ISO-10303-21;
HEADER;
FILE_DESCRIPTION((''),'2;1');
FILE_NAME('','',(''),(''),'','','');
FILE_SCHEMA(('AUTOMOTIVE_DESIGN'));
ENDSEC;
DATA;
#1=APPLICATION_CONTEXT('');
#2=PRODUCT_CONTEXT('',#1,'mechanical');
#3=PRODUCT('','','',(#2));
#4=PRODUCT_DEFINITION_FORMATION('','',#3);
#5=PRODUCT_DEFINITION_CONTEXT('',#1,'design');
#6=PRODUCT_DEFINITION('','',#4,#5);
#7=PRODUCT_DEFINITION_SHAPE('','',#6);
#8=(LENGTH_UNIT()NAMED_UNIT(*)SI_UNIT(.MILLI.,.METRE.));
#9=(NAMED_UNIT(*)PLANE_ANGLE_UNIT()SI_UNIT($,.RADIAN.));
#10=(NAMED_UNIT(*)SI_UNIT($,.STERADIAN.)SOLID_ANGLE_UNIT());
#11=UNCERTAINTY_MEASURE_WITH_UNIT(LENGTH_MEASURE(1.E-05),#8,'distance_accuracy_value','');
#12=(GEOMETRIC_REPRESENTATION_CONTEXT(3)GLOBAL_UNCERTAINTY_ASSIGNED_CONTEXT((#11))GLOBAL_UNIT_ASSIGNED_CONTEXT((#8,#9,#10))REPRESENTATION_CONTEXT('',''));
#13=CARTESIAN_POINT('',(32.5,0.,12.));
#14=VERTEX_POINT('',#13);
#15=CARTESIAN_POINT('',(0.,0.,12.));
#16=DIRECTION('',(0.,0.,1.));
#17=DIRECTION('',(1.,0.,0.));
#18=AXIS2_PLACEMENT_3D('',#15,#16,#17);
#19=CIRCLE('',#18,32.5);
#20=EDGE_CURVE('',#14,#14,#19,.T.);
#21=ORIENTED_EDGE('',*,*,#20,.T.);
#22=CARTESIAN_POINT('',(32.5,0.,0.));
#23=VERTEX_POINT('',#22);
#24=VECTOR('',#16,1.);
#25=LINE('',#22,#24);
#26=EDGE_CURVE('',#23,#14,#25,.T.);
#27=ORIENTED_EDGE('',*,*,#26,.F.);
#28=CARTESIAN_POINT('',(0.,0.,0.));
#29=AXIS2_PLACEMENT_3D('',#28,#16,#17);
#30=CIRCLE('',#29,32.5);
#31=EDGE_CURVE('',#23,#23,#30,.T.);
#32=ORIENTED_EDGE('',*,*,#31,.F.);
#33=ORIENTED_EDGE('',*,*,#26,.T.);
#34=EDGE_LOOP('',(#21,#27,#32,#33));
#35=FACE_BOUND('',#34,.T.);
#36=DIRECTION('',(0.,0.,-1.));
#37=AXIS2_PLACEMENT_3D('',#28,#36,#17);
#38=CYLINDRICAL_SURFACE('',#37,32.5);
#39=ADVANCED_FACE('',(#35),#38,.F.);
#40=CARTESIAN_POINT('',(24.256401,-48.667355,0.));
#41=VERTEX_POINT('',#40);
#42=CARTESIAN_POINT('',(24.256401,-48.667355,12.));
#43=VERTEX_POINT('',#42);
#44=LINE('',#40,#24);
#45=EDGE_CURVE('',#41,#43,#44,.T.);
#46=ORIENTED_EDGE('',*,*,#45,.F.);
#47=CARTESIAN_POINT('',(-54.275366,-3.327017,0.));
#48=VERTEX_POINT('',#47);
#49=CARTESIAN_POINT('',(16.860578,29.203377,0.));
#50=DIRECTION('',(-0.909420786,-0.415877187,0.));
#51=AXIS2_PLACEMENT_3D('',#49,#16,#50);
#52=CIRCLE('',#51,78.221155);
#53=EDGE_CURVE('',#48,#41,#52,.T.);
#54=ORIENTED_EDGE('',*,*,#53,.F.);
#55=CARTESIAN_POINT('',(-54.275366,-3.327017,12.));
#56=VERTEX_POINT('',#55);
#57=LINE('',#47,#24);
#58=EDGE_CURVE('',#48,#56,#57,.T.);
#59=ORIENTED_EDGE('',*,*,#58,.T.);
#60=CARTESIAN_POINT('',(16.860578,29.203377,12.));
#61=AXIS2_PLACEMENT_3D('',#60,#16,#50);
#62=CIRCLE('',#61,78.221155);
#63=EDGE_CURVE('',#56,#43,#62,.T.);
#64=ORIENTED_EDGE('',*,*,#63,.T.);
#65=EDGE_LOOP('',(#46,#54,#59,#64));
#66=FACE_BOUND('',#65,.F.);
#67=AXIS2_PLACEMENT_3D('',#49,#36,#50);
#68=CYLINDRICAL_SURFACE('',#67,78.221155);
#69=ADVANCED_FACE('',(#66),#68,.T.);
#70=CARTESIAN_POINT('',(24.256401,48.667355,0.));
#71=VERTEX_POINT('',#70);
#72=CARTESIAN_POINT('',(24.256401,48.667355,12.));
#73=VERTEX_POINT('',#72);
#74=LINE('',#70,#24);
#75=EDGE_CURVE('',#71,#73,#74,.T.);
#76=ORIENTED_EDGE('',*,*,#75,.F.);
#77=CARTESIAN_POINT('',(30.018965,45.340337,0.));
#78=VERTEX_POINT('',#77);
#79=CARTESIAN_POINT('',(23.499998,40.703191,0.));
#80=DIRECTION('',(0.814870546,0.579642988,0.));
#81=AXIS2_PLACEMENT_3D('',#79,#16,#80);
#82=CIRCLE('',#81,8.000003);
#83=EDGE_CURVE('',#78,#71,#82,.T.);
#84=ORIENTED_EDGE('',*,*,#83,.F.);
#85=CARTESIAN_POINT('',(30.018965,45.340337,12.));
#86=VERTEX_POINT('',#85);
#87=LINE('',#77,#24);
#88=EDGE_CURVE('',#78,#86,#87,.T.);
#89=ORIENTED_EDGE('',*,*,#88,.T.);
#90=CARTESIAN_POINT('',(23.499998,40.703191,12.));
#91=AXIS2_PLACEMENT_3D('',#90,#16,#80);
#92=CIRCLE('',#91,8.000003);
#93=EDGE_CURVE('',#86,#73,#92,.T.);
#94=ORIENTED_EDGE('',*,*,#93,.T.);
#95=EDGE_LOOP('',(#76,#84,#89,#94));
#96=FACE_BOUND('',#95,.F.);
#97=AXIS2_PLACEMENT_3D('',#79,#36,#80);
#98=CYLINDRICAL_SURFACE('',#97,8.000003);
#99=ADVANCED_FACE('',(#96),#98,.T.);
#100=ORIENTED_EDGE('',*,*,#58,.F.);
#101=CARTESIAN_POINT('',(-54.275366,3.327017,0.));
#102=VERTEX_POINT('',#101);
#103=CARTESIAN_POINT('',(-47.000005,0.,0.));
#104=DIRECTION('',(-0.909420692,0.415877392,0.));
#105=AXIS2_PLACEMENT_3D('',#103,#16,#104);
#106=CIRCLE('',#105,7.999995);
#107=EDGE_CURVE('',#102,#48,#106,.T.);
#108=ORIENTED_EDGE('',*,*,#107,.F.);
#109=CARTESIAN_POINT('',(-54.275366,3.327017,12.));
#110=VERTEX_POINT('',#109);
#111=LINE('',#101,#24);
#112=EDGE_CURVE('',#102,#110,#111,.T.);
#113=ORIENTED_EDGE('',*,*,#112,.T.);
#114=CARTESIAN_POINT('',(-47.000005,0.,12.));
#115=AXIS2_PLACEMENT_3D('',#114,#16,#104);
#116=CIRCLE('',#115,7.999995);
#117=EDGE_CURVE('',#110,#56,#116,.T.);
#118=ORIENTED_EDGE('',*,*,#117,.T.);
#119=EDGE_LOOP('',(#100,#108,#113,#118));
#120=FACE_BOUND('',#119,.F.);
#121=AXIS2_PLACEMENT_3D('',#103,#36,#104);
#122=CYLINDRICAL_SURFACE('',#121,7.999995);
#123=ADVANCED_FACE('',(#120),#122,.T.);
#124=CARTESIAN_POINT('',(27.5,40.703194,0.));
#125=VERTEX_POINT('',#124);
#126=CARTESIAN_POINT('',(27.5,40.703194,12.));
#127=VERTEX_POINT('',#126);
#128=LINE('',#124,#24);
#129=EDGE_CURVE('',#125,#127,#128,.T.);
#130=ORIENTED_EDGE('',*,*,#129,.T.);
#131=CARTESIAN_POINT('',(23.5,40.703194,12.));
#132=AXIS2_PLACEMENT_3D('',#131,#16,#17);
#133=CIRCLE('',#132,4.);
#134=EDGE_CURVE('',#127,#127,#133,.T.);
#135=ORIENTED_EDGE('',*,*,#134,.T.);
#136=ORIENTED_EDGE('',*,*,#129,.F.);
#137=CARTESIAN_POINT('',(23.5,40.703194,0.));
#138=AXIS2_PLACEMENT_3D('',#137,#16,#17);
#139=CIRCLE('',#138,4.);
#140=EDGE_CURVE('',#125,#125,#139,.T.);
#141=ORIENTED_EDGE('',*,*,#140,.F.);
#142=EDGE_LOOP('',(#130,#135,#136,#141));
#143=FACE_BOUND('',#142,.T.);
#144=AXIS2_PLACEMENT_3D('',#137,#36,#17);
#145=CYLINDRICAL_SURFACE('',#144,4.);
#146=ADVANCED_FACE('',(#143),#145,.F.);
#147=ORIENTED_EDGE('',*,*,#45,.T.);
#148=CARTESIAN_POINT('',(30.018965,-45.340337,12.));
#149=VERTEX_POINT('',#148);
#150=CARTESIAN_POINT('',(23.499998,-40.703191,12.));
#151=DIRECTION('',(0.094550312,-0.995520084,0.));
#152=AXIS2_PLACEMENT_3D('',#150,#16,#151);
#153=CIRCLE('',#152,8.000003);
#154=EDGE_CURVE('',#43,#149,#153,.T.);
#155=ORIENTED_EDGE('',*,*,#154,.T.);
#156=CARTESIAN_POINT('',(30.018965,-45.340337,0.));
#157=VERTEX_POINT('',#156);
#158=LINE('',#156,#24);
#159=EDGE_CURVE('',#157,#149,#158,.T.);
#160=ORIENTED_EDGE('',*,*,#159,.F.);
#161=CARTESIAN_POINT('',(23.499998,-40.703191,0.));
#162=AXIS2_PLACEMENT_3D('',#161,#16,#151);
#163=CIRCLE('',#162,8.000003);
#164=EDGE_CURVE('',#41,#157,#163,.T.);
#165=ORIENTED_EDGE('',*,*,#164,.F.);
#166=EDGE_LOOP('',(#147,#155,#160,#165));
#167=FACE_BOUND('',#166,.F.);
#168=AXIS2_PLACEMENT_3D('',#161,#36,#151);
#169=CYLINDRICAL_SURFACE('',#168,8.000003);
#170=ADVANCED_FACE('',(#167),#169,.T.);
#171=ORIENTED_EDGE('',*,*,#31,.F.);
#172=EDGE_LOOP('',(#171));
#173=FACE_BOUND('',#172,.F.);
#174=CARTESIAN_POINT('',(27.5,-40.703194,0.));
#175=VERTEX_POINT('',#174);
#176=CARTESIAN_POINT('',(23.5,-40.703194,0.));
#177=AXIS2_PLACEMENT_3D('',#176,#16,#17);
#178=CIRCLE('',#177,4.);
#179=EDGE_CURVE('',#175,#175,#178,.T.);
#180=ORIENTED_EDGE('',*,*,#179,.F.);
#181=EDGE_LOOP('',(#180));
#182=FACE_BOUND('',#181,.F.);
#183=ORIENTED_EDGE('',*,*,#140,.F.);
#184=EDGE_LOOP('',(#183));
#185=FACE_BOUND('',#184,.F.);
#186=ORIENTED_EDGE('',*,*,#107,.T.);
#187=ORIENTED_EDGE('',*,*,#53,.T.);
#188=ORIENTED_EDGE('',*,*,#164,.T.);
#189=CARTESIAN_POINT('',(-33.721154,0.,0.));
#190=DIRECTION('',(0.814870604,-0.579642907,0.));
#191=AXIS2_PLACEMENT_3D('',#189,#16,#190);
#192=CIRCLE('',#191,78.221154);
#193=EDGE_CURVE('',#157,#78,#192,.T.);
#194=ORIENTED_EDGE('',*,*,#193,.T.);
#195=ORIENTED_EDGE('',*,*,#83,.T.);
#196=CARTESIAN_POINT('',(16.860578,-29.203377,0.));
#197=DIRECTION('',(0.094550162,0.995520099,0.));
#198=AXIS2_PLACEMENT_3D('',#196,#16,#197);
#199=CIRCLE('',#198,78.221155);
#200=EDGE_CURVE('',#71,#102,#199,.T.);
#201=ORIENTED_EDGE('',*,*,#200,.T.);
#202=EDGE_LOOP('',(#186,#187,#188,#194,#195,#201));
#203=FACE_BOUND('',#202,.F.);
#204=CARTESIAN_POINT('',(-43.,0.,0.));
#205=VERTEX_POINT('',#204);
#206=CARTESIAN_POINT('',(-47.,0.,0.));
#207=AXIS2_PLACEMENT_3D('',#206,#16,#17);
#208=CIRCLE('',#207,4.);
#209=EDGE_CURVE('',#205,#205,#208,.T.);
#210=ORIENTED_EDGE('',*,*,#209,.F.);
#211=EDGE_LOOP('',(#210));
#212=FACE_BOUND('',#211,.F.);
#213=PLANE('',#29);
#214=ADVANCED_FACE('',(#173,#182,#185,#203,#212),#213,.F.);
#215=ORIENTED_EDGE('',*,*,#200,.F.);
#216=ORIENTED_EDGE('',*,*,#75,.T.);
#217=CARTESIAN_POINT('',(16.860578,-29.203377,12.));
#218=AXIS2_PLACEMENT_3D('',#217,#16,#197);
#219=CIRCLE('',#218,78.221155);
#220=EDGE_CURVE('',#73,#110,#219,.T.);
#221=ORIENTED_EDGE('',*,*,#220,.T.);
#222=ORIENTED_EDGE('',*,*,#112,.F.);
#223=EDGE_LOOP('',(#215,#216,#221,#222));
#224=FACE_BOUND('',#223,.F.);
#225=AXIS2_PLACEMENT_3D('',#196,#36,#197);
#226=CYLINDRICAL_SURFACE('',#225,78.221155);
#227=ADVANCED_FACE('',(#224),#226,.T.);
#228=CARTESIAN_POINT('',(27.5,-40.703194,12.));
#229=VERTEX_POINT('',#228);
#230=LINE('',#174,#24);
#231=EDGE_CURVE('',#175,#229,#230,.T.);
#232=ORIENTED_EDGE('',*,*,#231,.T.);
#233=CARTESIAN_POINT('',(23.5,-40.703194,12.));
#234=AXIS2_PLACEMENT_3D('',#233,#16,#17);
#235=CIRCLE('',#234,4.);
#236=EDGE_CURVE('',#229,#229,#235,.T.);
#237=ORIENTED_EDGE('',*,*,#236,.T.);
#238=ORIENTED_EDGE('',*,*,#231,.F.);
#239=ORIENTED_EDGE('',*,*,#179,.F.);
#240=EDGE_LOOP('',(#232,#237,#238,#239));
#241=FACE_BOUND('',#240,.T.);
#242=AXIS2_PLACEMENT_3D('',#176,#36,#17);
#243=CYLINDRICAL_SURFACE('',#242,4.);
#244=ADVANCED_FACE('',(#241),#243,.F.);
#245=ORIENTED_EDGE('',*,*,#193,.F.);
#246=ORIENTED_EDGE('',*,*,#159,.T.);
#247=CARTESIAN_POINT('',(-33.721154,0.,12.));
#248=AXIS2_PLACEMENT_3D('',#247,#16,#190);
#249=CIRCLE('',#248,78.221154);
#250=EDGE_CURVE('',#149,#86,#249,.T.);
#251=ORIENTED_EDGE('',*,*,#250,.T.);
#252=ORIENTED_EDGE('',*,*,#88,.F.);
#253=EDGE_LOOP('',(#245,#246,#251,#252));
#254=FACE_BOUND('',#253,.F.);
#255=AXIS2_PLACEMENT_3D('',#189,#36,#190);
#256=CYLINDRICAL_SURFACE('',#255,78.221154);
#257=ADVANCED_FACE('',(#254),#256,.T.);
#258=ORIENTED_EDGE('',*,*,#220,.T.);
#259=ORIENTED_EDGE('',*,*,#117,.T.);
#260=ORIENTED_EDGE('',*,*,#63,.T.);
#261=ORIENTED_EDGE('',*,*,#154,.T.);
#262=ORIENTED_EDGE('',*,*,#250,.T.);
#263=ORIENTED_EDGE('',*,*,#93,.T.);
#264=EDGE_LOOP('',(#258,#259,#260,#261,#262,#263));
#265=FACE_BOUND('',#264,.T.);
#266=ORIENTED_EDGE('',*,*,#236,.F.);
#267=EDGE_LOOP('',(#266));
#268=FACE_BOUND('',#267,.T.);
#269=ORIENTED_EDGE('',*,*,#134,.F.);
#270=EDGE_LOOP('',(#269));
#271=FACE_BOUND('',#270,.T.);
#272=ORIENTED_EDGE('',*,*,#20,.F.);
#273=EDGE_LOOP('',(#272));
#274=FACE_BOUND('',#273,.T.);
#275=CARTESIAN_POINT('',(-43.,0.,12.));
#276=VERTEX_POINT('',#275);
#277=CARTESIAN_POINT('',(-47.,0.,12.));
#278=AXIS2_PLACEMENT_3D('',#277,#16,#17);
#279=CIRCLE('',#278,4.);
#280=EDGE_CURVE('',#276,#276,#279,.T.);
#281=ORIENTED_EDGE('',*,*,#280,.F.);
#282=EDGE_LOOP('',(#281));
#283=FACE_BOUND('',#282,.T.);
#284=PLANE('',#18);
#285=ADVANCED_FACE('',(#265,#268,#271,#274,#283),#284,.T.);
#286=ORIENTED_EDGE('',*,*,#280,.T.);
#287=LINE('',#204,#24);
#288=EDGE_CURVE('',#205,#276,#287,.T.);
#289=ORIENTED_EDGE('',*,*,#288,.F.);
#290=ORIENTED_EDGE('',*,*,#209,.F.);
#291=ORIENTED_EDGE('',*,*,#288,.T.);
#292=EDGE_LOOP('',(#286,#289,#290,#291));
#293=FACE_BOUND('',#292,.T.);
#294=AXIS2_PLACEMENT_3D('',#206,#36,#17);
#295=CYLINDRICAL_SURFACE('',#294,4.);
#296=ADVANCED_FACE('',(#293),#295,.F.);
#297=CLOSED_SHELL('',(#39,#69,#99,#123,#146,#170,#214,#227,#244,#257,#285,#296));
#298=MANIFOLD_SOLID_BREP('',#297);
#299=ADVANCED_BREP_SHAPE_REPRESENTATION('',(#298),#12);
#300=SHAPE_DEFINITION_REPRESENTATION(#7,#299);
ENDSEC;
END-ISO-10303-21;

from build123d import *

# Parameters (mm, degrees)
F0_R     = 4
F0_R_2   = 32.5
F1_DEPTH = 12


with BuildPart() as f1:
    # F0 (on Top) → F1 (new body)
    with BuildSketch(Plane.XY):
        with BuildLine():
            ThreePointArc((30.018965, 45.340337), (27.5, 47.631397), (24.256401, 48.667355))
            ThreePointArc((24.256401, 48.667355), (-22.25, 38.53813), (-54.275366, 3.327017))
            ThreePointArc((-54.275366, 3.327017), (-55, 0), (-54.275366, -3.327017))
            ThreePointArc((-54.275366, -3.327017), (-22.25, -38.53813), (24.256401, -48.667355))
            ThreePointArc((24.256401, -48.667355), (27.5, -47.631397), (30.018965, -45.340337))
            ThreePointArc((30.018965, -45.340337), (44.5, 0), (30.018965, 45.340337))
        make_face()
        with Locations((-47, 0)):
            Circle(F0_R, mode=Mode.SUBTRACT)
        with Locations((23.5, -40.703194)):
            Circle(F0_R, mode=Mode.SUBTRACT)
        Circle(F0_R_2, mode=Mode.SUBTRACT)
        with Locations((23.5, 40.703194)):
            Circle(F0_R, mode=Mode.SUBTRACT)
    extrude(amount=F1_DEPTH)


solid = f1.part
